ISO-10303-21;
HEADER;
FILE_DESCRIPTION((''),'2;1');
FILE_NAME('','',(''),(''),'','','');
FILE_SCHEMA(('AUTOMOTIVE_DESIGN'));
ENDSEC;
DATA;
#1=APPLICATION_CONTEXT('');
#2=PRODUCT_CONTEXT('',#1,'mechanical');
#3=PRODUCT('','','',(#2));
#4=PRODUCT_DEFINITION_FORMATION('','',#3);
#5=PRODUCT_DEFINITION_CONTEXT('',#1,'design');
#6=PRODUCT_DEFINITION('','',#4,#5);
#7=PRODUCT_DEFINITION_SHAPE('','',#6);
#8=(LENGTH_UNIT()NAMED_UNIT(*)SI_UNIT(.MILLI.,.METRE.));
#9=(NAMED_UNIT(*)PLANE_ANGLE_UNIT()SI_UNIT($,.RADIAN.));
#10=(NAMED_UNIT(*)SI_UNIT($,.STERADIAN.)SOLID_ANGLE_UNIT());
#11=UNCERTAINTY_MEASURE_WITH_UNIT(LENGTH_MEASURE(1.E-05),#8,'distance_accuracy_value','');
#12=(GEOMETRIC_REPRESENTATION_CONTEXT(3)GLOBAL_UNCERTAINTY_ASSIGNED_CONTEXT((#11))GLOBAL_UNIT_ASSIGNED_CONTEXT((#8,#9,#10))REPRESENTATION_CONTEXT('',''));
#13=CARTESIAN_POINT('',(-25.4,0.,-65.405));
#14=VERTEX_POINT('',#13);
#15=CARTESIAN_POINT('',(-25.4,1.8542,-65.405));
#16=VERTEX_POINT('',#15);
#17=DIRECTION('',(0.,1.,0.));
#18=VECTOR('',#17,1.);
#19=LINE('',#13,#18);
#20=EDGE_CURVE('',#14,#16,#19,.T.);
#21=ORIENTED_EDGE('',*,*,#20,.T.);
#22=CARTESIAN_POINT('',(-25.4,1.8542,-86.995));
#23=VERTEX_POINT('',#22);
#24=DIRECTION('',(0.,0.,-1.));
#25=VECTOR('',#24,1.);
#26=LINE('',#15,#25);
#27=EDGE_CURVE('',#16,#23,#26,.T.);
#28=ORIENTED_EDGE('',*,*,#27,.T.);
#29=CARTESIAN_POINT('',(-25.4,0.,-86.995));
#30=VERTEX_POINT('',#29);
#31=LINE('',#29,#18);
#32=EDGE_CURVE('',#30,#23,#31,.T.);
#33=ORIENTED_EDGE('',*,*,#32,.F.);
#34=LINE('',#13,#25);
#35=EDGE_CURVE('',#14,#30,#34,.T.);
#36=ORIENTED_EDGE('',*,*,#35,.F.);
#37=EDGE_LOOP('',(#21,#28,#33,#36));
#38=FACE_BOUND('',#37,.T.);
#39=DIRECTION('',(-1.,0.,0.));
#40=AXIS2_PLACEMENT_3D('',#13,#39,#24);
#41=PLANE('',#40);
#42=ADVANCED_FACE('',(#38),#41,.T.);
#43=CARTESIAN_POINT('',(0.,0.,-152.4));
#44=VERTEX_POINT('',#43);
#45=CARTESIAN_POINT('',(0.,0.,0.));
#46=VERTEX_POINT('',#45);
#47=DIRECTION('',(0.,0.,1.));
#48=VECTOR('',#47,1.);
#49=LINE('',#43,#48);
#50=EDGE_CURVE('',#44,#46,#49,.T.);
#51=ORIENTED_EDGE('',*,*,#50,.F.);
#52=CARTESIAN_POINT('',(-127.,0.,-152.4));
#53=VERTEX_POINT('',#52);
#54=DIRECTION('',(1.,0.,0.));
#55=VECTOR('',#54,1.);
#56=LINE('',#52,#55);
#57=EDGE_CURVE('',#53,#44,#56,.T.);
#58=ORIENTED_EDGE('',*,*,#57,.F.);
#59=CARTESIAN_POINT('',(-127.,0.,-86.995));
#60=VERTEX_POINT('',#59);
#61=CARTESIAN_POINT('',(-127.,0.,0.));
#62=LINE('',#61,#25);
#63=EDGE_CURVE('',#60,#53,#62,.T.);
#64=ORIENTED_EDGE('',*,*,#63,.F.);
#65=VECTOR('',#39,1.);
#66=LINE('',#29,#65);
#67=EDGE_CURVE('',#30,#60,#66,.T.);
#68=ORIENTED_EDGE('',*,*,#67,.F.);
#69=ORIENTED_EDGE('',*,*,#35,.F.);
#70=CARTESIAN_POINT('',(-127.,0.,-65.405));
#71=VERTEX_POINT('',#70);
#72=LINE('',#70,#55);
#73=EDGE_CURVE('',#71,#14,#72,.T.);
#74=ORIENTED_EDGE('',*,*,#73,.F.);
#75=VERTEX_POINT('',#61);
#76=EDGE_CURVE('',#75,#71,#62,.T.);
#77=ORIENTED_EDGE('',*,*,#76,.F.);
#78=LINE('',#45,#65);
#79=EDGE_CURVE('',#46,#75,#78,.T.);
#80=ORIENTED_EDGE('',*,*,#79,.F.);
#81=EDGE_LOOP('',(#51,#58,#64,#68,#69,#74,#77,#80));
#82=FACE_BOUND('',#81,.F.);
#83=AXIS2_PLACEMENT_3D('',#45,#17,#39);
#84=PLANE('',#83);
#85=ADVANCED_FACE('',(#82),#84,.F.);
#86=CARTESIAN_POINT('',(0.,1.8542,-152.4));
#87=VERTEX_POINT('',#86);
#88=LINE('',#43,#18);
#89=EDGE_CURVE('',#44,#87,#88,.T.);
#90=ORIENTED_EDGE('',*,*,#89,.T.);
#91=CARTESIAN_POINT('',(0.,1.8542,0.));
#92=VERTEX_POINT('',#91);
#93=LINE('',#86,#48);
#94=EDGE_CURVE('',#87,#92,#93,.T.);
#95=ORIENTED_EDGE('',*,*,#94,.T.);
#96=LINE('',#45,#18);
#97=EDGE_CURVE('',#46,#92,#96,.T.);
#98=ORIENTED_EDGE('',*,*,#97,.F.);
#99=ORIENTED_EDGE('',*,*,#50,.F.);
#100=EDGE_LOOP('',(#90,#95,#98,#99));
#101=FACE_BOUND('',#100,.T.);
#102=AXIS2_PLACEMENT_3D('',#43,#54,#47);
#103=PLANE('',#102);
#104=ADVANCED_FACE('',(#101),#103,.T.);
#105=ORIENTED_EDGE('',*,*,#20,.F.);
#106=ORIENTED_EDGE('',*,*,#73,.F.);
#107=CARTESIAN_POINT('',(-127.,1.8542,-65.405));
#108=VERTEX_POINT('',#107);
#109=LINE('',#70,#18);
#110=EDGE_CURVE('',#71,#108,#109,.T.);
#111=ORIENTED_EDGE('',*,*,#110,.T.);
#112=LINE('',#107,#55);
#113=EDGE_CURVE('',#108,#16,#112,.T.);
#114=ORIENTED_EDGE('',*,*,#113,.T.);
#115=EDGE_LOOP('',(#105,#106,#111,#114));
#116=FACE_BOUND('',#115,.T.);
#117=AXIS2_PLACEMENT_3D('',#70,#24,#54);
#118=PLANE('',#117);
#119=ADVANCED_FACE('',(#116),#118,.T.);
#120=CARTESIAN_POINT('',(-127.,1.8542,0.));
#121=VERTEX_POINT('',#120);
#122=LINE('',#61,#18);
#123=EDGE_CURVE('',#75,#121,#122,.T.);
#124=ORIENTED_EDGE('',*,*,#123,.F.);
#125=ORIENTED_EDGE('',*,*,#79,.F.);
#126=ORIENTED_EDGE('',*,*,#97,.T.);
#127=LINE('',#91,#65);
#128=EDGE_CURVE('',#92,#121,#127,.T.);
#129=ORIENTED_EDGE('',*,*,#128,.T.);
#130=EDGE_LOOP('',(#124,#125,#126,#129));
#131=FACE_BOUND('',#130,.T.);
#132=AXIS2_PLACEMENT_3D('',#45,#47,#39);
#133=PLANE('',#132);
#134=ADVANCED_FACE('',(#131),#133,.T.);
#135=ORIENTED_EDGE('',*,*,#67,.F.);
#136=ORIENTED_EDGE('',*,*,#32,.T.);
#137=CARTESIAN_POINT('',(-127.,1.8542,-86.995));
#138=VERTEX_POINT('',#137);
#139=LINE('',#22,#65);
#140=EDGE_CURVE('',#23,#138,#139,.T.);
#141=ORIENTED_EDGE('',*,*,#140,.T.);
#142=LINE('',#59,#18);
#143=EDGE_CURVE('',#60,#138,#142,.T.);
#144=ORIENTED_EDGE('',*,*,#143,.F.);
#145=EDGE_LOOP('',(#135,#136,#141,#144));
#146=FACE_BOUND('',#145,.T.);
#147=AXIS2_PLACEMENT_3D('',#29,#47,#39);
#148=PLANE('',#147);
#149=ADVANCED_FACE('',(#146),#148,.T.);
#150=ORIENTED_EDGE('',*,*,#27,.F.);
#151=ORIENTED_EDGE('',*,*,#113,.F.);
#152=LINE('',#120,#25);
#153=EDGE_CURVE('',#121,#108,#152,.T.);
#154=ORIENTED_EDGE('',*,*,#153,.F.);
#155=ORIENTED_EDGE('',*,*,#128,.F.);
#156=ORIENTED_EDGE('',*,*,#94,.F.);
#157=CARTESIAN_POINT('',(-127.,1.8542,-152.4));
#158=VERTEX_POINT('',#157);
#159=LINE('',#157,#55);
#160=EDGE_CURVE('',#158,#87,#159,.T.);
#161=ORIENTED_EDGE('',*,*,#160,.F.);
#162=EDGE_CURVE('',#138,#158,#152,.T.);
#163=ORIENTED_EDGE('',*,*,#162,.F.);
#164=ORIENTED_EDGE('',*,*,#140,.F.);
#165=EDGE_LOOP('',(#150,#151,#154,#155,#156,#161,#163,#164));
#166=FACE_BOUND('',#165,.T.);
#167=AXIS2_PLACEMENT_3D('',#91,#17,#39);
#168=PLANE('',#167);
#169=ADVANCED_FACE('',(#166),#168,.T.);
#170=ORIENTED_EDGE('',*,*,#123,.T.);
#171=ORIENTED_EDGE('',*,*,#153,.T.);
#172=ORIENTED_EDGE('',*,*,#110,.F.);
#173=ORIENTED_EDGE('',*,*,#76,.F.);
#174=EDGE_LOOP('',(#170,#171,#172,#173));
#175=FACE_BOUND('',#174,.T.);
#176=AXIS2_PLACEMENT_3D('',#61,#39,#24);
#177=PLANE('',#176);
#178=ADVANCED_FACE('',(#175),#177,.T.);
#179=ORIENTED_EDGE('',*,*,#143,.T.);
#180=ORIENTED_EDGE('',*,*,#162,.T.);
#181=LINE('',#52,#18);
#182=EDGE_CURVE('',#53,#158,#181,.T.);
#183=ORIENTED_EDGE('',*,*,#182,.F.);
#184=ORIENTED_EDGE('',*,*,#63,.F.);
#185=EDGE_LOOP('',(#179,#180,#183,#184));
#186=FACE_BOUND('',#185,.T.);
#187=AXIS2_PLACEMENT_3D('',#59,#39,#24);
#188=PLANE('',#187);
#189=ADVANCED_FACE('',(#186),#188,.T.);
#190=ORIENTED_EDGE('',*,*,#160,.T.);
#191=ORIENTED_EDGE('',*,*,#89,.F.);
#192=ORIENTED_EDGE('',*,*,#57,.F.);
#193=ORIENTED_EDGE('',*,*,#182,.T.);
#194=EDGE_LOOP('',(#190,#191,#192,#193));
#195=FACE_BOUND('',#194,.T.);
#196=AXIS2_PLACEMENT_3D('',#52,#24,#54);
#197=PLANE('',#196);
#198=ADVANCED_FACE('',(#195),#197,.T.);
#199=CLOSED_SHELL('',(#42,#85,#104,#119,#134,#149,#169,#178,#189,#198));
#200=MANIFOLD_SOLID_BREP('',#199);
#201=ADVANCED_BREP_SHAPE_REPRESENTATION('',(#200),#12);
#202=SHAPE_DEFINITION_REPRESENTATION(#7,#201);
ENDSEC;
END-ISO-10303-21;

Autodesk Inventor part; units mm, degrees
ref_plane "YZ Plane" through (0, 0, 0) normal (1, 0, 0) x (0, 1, 0)
ref_plane "XZ Plane" through (0, 0, 0) normal (0, 1, 0) x (-1, 0, 0)
ref_plane "XY Plane" through (0, 0, 0) normal (0, 0, 1) x (1, 0, 0)
sketch "Sketch1" plane through (0, 0, 0) normal (0, 1, 0) x (-1, 0, 0)
  line L0 (0, 0) -> (127, 0)
  line L1 (127, 0) -> (127, -152.4)
  line L2 (127, -152.4) -> (0, -152.4)
  line L3 (0, -152.4) -> (0, 0)
  line L4 (127, -65.405) -> (25.4, -65.405)
  line L5 (25.4, -65.405) -> (25.4, -86.995)
  line L6 (25.4, -86.995) -> (127, -86.995)
  line L7 (127, -86.995) -> (127, -65.405)
  dimension "d0" = 152.4
  dimension "d1" = 127
  dimension "d2" = 21.59
  dimension "d3" = 65.405
  dimension "d4" = 101.6
extrude "Extrusion1" add sketch "Sketch1" along normal blind 1.8542 contours L0 L1 L4 L5 L6 L2 L3
equation "\"d3\" = -0.5 * d2 + 0.5 * d0"
properties part number "paddle collection ramp"
